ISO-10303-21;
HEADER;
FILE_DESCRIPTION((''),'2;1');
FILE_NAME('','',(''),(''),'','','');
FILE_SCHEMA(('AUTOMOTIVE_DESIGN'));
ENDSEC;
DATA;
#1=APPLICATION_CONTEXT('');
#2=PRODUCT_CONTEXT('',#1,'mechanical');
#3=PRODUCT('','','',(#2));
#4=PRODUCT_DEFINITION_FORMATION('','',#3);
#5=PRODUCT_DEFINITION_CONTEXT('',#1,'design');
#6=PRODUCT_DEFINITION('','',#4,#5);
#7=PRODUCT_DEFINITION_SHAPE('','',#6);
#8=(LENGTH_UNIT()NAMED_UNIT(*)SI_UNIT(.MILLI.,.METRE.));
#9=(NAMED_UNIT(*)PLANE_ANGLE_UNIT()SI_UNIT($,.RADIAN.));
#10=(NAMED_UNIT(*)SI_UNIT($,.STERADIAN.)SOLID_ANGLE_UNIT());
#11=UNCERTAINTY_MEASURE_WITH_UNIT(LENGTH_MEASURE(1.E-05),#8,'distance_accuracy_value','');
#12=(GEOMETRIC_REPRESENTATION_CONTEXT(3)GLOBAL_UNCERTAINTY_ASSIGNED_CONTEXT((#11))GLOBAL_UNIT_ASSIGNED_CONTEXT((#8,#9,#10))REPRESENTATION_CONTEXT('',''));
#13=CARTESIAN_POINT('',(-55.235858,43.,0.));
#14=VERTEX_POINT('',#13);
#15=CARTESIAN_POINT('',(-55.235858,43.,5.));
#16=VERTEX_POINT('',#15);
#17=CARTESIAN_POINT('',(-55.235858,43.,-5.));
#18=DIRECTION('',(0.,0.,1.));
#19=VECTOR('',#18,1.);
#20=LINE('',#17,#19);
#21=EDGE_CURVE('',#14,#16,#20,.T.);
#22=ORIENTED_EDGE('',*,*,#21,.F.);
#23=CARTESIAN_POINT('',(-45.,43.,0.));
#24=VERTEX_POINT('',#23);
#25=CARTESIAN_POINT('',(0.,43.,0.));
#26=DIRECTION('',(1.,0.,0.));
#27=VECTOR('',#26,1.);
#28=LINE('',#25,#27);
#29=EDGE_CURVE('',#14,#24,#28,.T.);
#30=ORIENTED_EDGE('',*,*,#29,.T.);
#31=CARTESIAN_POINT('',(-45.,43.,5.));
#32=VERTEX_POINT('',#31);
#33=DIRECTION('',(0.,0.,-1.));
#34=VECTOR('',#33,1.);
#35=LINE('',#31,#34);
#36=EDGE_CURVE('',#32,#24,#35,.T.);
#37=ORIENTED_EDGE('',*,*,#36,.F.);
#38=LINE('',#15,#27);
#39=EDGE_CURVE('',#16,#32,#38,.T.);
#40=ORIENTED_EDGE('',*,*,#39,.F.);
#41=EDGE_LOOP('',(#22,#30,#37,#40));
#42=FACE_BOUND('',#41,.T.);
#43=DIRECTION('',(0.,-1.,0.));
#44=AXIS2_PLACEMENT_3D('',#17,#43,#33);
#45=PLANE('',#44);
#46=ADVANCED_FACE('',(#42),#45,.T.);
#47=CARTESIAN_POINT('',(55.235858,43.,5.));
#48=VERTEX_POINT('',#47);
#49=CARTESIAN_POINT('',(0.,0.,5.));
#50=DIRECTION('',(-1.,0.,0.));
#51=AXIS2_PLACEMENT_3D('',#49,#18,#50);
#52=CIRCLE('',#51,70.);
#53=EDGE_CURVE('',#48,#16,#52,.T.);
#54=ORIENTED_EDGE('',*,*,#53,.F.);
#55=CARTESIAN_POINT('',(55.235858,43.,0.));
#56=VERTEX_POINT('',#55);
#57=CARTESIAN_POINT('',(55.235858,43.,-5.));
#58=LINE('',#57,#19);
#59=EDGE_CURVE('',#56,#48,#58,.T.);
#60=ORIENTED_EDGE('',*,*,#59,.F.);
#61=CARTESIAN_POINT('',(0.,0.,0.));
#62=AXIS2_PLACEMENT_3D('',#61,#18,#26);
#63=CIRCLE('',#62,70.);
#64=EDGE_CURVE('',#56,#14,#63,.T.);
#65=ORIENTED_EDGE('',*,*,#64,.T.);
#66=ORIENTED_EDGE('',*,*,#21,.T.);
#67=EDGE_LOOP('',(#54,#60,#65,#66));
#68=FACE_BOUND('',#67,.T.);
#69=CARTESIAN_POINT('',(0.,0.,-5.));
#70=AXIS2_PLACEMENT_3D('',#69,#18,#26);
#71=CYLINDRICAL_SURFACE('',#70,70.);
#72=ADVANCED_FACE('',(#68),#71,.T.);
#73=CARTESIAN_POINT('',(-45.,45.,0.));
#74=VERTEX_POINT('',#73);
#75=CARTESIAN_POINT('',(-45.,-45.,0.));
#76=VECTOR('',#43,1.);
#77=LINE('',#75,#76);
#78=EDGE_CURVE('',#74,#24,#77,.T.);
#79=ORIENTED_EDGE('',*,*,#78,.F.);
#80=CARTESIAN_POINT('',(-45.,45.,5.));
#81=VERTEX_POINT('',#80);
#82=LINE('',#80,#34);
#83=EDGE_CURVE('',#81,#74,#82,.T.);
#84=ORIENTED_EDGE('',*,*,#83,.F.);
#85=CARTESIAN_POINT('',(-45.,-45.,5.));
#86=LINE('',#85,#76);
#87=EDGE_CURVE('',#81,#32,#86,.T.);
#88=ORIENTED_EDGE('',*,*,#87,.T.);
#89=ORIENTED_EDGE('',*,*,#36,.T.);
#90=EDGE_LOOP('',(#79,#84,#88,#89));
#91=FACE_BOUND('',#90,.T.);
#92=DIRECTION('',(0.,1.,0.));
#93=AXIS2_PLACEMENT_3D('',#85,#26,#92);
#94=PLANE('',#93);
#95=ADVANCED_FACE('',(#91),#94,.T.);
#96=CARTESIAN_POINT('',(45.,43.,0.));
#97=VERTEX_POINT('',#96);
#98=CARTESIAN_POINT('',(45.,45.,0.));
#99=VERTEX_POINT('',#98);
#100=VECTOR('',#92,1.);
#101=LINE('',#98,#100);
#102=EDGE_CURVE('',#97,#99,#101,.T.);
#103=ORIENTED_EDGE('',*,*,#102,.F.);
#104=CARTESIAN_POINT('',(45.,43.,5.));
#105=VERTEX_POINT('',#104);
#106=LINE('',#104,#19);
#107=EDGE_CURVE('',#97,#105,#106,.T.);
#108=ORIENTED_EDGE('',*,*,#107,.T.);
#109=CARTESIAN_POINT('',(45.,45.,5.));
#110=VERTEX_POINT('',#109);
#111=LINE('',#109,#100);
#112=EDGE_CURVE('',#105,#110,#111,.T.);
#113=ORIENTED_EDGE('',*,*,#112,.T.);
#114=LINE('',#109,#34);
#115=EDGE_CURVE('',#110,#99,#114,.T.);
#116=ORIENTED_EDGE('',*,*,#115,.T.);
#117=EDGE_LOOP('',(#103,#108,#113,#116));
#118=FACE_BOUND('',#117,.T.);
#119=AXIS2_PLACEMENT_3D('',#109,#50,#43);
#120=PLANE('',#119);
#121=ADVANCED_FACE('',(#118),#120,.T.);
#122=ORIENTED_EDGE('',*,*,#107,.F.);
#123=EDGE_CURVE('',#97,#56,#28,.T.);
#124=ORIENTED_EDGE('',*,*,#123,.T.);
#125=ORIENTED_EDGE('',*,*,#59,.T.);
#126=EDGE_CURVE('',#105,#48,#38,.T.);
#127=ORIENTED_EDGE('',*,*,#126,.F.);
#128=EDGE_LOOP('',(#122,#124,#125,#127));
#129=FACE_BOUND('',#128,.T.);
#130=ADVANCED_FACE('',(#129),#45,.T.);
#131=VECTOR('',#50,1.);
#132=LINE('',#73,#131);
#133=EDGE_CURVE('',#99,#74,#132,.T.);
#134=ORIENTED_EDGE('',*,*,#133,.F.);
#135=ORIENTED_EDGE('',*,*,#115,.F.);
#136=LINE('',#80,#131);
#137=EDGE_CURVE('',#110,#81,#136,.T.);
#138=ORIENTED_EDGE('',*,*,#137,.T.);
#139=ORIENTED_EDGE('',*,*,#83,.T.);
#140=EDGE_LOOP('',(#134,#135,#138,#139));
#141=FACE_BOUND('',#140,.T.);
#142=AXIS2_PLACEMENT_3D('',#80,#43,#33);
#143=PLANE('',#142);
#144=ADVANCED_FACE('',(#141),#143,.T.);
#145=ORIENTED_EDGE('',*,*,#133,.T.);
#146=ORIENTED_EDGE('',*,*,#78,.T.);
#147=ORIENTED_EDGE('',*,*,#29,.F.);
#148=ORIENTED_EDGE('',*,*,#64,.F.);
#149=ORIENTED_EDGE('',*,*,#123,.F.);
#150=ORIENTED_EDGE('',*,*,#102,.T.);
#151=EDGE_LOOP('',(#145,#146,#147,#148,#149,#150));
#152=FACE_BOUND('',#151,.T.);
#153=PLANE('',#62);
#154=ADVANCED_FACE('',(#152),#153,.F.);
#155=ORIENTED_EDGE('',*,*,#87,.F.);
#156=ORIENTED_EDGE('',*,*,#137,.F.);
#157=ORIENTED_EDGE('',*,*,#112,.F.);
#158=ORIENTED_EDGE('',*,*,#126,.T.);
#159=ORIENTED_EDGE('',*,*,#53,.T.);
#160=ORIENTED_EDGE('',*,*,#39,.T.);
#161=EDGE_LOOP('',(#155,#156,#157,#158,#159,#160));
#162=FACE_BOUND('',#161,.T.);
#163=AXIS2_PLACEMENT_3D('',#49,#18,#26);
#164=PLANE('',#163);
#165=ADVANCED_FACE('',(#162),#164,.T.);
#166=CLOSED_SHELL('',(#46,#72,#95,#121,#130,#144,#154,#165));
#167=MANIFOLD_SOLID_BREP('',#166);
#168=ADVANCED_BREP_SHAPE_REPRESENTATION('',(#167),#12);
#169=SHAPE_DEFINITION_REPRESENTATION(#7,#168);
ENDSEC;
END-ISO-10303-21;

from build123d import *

# Parameters (mm, degrees)
ESQUISSE1_R             = 175
ESQUISSE1_W             = 90
ESQUISSE1_H             = 90
BOSS_EXTRU_1_DEPTH      = 5
ENL_V_START             = -10
ENL_V_MAT_EXTRU_1_DEPTH = 10
ENL_V_MAT_EXTRU_4_DEPTH = 10


with BuildPart() as part:
    # Esquisse1 → Boss.-Extru.1 (new body)
    with BuildSketch(Plane.XY):
        Circle(ESQUISSE1_R)
        Rectangle(ESQUISSE1_W, ESQUISSE1_H, mode=Mode.SUBTRACT)
    extrude(amount=BOSS_EXTRU_1_DEPTH)

    # Esquisse2 → Enlèv. mat.-Extru.1 (cut)
    with BuildSketch(Plane.XY.offset(5).offset(ENL_V_START)):
        with BuildLine():
            Line((-156.468184794, 78.375424383), (-90, 40))
            Line((-90, 40), (-90, -40))
            Line((-90, -40), (-156.468184794, -78.375424383))
            ThreePointArc((-156.468184794, -78.375424383), (-175, 0), (-156.468184794, 78.375424383))
        make_face()
    extrude(amount=ENL_V_MAT_EXTRU_1_DEPTH, mode=Mode.SUBTRACT)

    # Esquisse3 → Enlèv. mat.-Extru.4 (cut)
    with BuildSketch(Plane.XY.offset(5).offset(ENL_V_START)):
        with BuildLine():
            Line((-156.468184794, 78.375424383), (-95.196152423, 43))
            Line((-95.196152423, 43), (-200, 43))
            Line((-200, 43), (-200, -207))
            Line((-200, -207), (200, -207))
            Line((200, -207), (200, 43))
            Line((200, 43), (169.634902069, 43))
            ThreePointArc((169.634902069, 43), (18.873149539, 173.979321261), (-156.468184794, 78.375424383))
        make_face()
        with BuildLine():
            Line((-55.235857919, 43), (55.235857919, 43))
            ThreePointArc((55.235857919, 43), (0, 70), (-55.235857919, 43))
        make_face(mode=Mode.SUBTRACT)
    extrude(amount=ENL_V_MAT_EXTRU_4_DEPTH, mode=Mode.SUBTRACT)


solid = part.part
